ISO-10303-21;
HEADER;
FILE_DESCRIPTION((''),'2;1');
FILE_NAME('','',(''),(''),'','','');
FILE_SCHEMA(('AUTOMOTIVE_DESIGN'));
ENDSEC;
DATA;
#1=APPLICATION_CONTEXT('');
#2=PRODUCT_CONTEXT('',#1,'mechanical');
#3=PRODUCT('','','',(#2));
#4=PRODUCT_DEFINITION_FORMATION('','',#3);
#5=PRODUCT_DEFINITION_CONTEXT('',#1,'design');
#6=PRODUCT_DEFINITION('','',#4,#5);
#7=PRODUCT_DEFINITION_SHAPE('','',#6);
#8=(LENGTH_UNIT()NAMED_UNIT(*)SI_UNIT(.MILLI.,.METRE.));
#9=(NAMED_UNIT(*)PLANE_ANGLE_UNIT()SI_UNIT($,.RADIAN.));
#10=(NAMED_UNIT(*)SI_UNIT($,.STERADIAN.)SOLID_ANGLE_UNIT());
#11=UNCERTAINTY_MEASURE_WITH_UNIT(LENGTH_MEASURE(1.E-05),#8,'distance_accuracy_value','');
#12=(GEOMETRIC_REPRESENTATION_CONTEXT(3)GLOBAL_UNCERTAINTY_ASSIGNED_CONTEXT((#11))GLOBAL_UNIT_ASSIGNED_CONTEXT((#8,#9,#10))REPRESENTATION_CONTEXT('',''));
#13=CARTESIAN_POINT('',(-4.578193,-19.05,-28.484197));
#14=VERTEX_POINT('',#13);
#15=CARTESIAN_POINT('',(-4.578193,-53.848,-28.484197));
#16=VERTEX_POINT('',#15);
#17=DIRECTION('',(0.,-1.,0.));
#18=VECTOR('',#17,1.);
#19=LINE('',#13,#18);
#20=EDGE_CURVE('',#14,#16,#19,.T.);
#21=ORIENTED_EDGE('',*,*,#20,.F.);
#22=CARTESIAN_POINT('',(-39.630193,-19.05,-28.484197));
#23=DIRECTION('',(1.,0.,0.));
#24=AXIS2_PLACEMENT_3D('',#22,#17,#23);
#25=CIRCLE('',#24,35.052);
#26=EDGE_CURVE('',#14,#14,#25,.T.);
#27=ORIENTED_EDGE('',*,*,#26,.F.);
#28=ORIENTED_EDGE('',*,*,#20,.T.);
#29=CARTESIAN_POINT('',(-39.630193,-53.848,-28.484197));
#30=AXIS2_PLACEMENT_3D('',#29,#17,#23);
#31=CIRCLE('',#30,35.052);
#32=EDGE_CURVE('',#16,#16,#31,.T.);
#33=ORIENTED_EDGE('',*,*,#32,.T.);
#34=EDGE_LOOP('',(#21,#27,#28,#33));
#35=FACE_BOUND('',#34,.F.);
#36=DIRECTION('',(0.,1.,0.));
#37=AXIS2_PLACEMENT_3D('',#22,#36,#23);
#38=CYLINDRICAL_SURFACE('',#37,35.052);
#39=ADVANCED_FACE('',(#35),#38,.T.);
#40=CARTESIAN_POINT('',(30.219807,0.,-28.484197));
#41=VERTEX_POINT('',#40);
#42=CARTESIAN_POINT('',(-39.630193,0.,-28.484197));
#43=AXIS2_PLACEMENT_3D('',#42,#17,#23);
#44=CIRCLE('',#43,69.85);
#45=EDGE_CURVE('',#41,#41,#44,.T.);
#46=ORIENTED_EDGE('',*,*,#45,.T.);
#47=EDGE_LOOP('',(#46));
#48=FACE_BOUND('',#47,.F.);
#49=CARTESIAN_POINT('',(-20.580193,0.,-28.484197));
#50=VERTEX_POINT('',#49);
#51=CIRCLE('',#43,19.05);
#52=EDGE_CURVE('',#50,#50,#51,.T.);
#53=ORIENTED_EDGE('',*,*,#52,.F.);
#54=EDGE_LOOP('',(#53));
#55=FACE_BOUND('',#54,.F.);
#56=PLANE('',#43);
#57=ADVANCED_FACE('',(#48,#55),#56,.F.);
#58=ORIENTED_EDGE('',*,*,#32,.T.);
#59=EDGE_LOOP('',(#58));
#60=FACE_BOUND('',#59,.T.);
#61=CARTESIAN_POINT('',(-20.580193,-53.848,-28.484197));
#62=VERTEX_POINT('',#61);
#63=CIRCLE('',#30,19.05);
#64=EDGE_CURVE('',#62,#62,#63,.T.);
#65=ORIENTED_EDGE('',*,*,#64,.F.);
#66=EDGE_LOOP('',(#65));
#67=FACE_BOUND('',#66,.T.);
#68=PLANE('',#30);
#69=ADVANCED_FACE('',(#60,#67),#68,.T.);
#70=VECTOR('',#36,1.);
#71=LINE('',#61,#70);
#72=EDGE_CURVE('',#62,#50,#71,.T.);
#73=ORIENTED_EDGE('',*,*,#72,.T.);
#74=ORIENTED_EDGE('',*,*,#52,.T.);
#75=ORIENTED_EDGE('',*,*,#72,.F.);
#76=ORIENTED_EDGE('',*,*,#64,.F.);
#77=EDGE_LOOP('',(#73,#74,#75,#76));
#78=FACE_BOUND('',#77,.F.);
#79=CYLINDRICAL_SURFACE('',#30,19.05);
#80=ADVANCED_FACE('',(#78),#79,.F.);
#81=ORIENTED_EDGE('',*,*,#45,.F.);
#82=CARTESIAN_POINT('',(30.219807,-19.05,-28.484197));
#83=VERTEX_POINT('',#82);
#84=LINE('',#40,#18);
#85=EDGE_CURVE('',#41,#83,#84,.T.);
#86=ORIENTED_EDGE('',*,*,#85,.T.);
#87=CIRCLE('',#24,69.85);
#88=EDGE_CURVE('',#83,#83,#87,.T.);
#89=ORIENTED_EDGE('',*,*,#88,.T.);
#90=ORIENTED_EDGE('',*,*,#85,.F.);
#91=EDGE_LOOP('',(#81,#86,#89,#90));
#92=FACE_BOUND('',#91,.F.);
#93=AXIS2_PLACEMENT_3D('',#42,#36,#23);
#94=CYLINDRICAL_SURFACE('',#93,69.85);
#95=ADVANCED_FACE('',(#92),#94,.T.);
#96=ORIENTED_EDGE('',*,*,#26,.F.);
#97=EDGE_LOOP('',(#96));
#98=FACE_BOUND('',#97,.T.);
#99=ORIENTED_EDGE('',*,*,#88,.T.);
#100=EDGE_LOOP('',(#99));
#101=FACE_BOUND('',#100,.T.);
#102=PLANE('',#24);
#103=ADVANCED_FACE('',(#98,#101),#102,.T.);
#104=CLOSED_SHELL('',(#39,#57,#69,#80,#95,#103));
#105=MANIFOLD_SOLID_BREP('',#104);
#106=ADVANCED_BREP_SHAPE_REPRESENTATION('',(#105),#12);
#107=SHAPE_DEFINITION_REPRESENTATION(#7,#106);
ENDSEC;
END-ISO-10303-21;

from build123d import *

# Parameters (mm, degrees)
F0_R     = 69.85
F1_DEPTH = 19.05
F2_R     = 35.052
F3_DEPTH = 34.798
F4_R     = 19.05
F5_DEPTH = 53.849


with BuildPart() as f1:
    # F0 (on Front) → F1 (new body)
    with BuildSketch(Plane.XZ):
        with Locations((-39.630193, -28.484197)):
            Circle(F0_R)
    extrude(amount=F1_DEPTH)

    # F2 (on face) → F3 (join)
    with BuildSketch(Plane.XZ.offset(19.05)):
        with Locations((-39.630193, -28.484197)):
            Circle(F2_R)
    extrude(amount=F3_DEPTH)

    # F4 (on face) → F5 (cut, through all)
    with BuildSketch(Plane.XZ.offset(53.848)):
        with Locations((-39.630193, -28.484197)):
            Circle(F4_R)
    extrude(amount=-F5_DEPTH, mode=Mode.SUBTRACT)


solid = f1.part
